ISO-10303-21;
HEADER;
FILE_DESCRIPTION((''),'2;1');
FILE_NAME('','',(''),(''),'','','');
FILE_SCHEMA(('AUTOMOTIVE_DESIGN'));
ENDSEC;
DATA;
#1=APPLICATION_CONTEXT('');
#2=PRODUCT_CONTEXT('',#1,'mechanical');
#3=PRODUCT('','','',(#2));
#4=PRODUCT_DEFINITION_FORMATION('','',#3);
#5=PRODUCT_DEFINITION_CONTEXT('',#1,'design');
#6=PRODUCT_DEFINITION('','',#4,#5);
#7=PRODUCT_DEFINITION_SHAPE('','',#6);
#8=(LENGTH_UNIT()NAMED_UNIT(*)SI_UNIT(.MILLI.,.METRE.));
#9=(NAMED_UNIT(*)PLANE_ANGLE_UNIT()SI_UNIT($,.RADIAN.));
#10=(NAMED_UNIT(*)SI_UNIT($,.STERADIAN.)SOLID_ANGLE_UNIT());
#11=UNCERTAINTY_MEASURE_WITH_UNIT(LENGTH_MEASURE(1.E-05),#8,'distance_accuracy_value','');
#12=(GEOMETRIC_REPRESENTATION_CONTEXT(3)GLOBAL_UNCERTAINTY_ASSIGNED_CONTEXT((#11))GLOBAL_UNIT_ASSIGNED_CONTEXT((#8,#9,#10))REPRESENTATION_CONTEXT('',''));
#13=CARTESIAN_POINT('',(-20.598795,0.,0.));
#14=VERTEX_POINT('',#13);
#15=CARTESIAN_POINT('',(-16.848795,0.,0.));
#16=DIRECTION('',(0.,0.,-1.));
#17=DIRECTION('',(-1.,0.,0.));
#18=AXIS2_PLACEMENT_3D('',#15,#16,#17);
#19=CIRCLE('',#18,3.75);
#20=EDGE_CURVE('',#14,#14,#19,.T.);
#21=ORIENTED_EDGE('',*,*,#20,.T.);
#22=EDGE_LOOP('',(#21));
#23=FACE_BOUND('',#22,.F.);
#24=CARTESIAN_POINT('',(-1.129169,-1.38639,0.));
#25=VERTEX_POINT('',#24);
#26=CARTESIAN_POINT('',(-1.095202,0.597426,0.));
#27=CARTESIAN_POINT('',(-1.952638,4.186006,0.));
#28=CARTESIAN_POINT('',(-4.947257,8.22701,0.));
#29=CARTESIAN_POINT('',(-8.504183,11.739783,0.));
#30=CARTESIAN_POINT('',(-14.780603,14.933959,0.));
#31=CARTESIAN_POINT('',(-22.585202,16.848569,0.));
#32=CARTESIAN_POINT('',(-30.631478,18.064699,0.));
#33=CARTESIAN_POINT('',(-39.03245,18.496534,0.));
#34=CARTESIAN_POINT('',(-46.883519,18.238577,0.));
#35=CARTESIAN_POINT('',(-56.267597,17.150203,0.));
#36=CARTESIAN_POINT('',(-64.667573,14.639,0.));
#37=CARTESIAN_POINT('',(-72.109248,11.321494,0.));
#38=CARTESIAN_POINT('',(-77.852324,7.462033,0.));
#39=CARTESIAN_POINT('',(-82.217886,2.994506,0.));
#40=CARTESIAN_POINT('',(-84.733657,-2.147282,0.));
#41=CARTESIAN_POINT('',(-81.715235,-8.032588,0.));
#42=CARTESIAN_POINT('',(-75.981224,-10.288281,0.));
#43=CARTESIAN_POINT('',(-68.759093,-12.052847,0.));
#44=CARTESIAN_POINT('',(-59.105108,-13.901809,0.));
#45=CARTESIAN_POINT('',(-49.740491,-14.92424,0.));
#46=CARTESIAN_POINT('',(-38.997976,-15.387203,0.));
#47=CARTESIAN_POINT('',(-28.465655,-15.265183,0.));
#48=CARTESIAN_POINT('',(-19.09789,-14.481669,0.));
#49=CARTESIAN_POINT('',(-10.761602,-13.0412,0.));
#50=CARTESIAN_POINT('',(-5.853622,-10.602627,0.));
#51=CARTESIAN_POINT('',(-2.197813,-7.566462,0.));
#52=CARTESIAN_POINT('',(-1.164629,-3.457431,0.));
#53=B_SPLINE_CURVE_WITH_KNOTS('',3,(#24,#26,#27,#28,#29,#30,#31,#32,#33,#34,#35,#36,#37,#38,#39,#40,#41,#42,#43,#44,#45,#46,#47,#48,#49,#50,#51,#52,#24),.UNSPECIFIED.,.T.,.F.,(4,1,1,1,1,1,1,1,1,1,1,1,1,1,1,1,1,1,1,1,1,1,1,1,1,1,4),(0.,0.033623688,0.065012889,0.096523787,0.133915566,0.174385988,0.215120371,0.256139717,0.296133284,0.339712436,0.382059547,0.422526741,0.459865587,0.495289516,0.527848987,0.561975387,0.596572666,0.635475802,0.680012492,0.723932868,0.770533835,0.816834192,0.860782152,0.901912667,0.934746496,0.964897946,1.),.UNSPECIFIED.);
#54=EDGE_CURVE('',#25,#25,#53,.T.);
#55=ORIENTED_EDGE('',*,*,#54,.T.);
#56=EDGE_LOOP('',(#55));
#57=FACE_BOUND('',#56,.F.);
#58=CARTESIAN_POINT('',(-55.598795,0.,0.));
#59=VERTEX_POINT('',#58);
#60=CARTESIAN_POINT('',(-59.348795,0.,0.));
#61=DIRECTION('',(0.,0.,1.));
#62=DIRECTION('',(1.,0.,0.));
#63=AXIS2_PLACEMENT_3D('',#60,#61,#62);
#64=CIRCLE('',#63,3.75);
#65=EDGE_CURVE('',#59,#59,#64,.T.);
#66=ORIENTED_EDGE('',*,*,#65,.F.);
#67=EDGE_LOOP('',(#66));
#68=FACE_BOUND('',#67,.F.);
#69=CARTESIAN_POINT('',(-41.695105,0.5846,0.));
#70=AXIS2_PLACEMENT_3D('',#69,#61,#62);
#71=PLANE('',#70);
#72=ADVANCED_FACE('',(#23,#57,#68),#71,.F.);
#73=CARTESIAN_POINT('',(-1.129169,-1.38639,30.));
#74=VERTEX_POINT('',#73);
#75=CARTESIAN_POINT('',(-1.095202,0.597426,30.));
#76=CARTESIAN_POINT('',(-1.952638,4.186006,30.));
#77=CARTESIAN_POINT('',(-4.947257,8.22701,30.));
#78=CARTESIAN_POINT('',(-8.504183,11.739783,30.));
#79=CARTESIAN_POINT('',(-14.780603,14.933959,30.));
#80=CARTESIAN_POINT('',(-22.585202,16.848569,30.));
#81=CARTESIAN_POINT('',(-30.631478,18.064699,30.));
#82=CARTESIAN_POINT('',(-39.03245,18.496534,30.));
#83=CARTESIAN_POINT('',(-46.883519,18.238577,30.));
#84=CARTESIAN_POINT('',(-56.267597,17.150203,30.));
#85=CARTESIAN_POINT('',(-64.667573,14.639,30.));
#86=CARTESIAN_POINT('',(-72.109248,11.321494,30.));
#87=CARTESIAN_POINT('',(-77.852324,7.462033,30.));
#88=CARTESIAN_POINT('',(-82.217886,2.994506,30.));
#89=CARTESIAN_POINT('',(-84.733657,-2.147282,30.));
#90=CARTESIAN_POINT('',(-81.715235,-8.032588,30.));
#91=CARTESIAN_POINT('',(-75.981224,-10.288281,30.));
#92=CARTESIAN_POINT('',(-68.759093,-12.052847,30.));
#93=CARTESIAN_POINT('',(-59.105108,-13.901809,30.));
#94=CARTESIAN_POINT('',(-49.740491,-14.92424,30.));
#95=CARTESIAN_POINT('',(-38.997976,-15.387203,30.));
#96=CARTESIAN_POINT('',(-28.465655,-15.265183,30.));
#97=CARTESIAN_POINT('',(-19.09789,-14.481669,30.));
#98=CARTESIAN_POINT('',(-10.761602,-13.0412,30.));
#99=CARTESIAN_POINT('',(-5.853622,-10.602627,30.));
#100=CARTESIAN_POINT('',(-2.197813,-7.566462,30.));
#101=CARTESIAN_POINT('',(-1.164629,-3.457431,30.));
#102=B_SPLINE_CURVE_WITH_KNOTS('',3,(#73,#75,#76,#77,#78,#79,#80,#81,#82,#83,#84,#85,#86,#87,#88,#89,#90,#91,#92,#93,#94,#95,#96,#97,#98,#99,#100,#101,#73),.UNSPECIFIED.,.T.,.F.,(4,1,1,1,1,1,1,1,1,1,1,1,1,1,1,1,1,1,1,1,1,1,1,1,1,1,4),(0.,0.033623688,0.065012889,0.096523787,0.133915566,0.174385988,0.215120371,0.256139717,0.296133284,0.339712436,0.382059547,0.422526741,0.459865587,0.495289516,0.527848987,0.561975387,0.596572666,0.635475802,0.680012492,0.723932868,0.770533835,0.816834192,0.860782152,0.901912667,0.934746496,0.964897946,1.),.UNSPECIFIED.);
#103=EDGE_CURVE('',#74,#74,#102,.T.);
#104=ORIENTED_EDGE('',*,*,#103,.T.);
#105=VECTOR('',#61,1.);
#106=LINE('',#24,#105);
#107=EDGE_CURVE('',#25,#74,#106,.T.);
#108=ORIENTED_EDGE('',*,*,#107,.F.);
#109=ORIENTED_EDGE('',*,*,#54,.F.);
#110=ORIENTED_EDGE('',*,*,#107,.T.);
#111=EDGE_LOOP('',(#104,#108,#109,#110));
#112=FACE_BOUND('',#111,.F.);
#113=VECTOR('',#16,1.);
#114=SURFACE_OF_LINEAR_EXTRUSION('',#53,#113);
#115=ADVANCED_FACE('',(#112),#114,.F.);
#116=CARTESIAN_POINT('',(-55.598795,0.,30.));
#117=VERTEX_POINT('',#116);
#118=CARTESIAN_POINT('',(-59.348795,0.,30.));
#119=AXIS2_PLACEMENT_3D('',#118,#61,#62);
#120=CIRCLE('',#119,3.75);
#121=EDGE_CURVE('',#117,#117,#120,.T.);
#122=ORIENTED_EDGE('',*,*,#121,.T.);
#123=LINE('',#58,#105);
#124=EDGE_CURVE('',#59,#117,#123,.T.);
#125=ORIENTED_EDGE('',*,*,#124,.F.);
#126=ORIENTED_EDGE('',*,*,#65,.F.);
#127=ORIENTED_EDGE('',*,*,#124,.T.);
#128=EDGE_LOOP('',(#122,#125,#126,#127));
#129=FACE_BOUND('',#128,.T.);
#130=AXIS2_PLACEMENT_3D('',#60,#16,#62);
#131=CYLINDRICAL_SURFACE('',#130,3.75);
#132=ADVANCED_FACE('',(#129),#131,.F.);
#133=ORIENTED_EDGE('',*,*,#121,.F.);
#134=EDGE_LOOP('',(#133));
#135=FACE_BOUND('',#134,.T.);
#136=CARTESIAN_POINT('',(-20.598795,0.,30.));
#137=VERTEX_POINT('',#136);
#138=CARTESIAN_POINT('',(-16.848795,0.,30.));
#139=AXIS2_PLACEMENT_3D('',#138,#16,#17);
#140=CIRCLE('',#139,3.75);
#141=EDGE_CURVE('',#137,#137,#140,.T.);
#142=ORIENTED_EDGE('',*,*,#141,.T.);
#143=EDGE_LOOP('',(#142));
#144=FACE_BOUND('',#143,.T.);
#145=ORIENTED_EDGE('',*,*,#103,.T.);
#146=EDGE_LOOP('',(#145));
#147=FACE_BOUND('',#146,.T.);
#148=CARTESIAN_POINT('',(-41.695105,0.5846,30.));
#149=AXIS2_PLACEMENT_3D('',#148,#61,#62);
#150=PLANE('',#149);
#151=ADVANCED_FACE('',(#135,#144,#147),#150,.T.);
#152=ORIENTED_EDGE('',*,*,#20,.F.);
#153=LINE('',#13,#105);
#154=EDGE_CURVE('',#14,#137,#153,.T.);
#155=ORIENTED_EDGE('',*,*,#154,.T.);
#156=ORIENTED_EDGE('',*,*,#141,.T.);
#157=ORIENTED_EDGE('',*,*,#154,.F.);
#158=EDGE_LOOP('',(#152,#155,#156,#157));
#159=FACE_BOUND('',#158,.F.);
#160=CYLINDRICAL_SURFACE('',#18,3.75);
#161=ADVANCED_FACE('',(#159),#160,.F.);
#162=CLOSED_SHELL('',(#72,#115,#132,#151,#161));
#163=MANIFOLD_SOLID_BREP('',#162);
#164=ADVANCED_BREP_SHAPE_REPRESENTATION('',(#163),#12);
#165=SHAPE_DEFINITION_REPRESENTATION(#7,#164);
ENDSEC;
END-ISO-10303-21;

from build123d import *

# Parameters (mm, degrees)
F0_R     = 3.75
F1_DEPTH = 30


with BuildPart() as f1:
    # F0 (on Top) → F1 (new body)
    with BuildSketch(Plane.XY):
        with BuildLine():
            add(Edge.make_bspline(
                [(-1.1291685514, -1.3863903005), (-1.09520204, 0.5974255282), (-1.9526377374, 4.1860060234), (-4.94725706, 8.2270100152), (-8.5041826555, 11.739783324), (-14.7806028275, 14.9339589899), (-22.5852023262, 16.8485691184), (-30.6314777776, 18.0646986222), (-39.0324500834, 18.4965344735), (-46.8835186699, 18.2385765769), (-56.267597145, 17.1502031898), (-64.6675732568, 14.6390002976), (-72.109248268, 11.3214943759), (-77.8523243295, 7.4620325197), (-82.2178864641, 2.9945058611), (-84.7336567648, -2.1472815385), (-81.7152347403, -8.0325883014), (-75.9812238343, -10.2882814576), (-68.759093169, -12.0528467384), (-59.1051075634, -13.901808889), (-49.7404905473, -14.9242398752), (-38.9979757923, -15.3872028571), (-28.4656548181, -15.2651826906), (-19.0978895128, -14.4816694472), (-10.7616023049, -13.0412001292), (-5.8536215524, -10.6026266126), (-2.1978128147, -7.5664624583), (-1.1646285018, -3.4574305094), (-1.1291685514, -1.3863903005)],
                knots=[0, 0, 0, 0, 0.0336236885, 0.0650128885, 0.0965237868, 0.1339155658, 0.1743859883, 0.2151203708, 0.256139717, 0.296133284, 0.3397124359, 0.3820595466, 0.422526741, 0.4598655873, 0.4952895163, 0.5278489865, 0.5619753871, 0.5965726662, 0.6354758024, 0.6800124922, 0.723932868, 0.7705338345, 0.8168341916, 0.8607821515, 0.9019126671, 0.9347464957, 0.9648979457, 1, 1, 1, 1], degree=3))
        make_face()
        with Locations((-59.3487946345, 0)):
            Circle(F0_R, mode=Mode.SUBTRACT)
        with BuildLine():
            ThreePointArc((-13.0987946345, 0), (-16.8487946345, -3.75), (-20.5987946345, 0))
            ThreePointArc((-20.5987946345, 0), (-16.8487946345, 3.75), (-13.0987946345, 0))
        make_face(mode=Mode.SUBTRACT)
    extrude(amount=F1_DEPTH)


solid = f1.part
